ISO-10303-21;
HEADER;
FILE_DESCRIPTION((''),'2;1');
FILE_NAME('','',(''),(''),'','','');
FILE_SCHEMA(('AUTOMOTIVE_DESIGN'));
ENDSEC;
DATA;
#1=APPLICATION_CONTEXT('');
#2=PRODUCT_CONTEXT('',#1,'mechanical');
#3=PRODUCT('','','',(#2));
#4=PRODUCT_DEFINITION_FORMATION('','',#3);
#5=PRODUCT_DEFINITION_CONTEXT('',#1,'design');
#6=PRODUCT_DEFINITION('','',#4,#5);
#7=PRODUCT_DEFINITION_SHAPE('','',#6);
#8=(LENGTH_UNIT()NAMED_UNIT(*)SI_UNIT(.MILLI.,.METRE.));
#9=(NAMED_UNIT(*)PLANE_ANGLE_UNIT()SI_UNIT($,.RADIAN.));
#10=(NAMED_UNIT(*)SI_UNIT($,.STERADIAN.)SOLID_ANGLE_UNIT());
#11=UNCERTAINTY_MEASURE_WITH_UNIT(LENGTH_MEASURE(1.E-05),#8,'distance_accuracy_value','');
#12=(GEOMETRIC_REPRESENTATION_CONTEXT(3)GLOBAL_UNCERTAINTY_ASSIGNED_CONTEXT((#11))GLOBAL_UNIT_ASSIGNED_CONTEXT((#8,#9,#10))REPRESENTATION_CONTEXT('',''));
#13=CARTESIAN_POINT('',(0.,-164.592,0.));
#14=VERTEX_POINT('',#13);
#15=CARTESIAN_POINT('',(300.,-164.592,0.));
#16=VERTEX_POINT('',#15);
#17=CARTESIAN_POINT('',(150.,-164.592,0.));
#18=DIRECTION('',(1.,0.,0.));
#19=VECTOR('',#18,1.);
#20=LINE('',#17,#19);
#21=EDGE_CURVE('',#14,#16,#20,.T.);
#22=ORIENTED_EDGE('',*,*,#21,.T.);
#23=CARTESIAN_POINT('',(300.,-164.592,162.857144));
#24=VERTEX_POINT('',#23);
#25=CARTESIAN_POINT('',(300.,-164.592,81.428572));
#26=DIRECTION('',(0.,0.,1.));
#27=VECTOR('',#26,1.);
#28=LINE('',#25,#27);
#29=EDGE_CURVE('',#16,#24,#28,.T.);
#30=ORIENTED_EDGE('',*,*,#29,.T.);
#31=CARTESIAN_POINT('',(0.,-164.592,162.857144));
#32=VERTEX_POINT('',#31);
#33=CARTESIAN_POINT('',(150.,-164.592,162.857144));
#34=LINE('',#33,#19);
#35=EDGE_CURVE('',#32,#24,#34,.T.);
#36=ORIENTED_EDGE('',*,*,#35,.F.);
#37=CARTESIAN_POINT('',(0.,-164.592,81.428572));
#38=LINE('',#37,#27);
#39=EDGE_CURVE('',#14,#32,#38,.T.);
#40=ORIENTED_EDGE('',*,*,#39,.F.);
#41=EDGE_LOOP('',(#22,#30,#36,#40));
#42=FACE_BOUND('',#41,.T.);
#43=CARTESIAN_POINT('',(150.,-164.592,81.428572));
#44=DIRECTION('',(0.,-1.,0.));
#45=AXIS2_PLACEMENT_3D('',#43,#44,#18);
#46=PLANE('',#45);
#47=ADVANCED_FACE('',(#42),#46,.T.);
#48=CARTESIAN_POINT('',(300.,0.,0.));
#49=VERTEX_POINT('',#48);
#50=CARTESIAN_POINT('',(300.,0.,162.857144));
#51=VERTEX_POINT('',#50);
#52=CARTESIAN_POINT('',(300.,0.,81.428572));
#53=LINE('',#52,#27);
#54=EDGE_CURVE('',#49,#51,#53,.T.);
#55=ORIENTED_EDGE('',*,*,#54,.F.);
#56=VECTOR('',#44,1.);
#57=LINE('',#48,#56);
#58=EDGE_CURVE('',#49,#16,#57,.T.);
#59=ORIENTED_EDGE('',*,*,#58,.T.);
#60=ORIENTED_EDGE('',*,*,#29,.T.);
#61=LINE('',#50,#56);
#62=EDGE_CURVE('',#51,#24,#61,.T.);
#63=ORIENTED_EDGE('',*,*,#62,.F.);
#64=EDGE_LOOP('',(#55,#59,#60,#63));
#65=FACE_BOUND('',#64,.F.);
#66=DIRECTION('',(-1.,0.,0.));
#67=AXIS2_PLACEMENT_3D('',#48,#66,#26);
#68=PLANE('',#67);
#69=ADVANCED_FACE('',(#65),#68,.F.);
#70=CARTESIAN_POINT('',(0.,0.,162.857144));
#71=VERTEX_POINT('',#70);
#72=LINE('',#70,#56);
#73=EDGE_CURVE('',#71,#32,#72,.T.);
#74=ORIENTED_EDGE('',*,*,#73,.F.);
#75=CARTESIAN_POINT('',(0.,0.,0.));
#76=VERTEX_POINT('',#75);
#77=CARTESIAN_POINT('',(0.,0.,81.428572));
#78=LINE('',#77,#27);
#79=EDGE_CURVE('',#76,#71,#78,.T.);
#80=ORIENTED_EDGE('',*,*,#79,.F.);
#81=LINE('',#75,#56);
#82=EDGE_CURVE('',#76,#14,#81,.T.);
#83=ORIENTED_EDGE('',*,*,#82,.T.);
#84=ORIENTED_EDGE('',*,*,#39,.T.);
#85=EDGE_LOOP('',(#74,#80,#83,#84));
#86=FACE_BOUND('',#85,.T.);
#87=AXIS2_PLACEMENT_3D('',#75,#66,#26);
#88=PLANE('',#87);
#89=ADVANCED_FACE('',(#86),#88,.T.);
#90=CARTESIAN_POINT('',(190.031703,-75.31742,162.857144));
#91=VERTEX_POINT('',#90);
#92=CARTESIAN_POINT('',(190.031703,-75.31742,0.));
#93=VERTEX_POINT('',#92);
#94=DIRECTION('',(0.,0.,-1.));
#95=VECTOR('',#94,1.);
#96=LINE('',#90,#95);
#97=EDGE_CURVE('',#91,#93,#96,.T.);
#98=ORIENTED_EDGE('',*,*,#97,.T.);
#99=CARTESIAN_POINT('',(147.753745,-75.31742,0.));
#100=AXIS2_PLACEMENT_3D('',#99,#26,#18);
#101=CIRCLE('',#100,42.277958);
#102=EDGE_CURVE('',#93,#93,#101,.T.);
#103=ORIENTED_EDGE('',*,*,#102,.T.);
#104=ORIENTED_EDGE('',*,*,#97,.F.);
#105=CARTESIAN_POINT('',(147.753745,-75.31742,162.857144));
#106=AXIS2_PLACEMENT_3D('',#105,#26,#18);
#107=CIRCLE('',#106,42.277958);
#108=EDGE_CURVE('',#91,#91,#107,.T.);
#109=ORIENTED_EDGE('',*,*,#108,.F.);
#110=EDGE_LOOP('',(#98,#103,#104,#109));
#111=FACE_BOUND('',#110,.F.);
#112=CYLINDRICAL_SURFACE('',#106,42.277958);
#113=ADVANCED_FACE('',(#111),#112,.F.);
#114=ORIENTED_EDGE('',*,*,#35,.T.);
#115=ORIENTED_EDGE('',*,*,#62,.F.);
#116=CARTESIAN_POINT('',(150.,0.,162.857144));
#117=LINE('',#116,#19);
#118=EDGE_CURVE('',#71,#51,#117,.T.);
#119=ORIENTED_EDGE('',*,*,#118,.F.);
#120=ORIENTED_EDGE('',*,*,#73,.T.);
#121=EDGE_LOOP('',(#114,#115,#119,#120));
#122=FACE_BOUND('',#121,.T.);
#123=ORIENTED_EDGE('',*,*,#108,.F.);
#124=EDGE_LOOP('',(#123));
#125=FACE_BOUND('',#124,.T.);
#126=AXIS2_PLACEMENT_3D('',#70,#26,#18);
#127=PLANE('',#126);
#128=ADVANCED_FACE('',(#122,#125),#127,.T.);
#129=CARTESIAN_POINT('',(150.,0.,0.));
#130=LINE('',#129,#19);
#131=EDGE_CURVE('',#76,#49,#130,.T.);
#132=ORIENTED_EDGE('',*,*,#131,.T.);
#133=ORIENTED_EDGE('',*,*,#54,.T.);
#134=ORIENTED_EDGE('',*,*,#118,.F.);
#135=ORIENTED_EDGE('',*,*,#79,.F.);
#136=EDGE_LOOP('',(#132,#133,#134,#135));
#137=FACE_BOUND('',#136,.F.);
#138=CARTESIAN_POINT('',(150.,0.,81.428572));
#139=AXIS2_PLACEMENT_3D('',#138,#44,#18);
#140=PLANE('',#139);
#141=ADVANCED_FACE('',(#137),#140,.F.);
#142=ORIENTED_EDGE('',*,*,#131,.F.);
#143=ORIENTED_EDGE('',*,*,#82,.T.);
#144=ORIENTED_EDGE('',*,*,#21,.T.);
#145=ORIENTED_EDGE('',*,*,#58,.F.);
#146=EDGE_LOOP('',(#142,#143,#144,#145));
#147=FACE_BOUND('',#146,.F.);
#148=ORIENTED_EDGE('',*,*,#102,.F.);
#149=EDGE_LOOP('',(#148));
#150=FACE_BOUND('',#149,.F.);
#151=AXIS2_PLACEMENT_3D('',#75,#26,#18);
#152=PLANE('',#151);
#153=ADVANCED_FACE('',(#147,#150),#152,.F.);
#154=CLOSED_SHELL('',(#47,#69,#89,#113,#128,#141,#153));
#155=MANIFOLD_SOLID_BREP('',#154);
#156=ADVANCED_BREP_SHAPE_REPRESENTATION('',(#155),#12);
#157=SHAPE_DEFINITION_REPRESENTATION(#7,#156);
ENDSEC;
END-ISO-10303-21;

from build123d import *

# Parameters (mm, degrees)
F0_W     = 300
F0_H     = 162.857144
F1_DEPTH = 164.592
F2_R     = 42.277958
F3_DEPTH = 337.82


with BuildPart() as f1:
    # F0 (on Front) → F1 (new body)
    with BuildSketch(Plane.XZ):
        with Locations((150, 81.428572)):
            Rectangle(F0_W, F0_H)
    extrude(amount=F1_DEPTH)

    # F2 (on face) → F3 (cut)
    with BuildSketch(Plane.XY.offset(162.857144)):
        with Locations((147.753745, -75.31742)):
            Circle(F2_R)
    extrude(amount=-F3_DEPTH, mode=Mode.SUBTRACT)


solid = f1.part
